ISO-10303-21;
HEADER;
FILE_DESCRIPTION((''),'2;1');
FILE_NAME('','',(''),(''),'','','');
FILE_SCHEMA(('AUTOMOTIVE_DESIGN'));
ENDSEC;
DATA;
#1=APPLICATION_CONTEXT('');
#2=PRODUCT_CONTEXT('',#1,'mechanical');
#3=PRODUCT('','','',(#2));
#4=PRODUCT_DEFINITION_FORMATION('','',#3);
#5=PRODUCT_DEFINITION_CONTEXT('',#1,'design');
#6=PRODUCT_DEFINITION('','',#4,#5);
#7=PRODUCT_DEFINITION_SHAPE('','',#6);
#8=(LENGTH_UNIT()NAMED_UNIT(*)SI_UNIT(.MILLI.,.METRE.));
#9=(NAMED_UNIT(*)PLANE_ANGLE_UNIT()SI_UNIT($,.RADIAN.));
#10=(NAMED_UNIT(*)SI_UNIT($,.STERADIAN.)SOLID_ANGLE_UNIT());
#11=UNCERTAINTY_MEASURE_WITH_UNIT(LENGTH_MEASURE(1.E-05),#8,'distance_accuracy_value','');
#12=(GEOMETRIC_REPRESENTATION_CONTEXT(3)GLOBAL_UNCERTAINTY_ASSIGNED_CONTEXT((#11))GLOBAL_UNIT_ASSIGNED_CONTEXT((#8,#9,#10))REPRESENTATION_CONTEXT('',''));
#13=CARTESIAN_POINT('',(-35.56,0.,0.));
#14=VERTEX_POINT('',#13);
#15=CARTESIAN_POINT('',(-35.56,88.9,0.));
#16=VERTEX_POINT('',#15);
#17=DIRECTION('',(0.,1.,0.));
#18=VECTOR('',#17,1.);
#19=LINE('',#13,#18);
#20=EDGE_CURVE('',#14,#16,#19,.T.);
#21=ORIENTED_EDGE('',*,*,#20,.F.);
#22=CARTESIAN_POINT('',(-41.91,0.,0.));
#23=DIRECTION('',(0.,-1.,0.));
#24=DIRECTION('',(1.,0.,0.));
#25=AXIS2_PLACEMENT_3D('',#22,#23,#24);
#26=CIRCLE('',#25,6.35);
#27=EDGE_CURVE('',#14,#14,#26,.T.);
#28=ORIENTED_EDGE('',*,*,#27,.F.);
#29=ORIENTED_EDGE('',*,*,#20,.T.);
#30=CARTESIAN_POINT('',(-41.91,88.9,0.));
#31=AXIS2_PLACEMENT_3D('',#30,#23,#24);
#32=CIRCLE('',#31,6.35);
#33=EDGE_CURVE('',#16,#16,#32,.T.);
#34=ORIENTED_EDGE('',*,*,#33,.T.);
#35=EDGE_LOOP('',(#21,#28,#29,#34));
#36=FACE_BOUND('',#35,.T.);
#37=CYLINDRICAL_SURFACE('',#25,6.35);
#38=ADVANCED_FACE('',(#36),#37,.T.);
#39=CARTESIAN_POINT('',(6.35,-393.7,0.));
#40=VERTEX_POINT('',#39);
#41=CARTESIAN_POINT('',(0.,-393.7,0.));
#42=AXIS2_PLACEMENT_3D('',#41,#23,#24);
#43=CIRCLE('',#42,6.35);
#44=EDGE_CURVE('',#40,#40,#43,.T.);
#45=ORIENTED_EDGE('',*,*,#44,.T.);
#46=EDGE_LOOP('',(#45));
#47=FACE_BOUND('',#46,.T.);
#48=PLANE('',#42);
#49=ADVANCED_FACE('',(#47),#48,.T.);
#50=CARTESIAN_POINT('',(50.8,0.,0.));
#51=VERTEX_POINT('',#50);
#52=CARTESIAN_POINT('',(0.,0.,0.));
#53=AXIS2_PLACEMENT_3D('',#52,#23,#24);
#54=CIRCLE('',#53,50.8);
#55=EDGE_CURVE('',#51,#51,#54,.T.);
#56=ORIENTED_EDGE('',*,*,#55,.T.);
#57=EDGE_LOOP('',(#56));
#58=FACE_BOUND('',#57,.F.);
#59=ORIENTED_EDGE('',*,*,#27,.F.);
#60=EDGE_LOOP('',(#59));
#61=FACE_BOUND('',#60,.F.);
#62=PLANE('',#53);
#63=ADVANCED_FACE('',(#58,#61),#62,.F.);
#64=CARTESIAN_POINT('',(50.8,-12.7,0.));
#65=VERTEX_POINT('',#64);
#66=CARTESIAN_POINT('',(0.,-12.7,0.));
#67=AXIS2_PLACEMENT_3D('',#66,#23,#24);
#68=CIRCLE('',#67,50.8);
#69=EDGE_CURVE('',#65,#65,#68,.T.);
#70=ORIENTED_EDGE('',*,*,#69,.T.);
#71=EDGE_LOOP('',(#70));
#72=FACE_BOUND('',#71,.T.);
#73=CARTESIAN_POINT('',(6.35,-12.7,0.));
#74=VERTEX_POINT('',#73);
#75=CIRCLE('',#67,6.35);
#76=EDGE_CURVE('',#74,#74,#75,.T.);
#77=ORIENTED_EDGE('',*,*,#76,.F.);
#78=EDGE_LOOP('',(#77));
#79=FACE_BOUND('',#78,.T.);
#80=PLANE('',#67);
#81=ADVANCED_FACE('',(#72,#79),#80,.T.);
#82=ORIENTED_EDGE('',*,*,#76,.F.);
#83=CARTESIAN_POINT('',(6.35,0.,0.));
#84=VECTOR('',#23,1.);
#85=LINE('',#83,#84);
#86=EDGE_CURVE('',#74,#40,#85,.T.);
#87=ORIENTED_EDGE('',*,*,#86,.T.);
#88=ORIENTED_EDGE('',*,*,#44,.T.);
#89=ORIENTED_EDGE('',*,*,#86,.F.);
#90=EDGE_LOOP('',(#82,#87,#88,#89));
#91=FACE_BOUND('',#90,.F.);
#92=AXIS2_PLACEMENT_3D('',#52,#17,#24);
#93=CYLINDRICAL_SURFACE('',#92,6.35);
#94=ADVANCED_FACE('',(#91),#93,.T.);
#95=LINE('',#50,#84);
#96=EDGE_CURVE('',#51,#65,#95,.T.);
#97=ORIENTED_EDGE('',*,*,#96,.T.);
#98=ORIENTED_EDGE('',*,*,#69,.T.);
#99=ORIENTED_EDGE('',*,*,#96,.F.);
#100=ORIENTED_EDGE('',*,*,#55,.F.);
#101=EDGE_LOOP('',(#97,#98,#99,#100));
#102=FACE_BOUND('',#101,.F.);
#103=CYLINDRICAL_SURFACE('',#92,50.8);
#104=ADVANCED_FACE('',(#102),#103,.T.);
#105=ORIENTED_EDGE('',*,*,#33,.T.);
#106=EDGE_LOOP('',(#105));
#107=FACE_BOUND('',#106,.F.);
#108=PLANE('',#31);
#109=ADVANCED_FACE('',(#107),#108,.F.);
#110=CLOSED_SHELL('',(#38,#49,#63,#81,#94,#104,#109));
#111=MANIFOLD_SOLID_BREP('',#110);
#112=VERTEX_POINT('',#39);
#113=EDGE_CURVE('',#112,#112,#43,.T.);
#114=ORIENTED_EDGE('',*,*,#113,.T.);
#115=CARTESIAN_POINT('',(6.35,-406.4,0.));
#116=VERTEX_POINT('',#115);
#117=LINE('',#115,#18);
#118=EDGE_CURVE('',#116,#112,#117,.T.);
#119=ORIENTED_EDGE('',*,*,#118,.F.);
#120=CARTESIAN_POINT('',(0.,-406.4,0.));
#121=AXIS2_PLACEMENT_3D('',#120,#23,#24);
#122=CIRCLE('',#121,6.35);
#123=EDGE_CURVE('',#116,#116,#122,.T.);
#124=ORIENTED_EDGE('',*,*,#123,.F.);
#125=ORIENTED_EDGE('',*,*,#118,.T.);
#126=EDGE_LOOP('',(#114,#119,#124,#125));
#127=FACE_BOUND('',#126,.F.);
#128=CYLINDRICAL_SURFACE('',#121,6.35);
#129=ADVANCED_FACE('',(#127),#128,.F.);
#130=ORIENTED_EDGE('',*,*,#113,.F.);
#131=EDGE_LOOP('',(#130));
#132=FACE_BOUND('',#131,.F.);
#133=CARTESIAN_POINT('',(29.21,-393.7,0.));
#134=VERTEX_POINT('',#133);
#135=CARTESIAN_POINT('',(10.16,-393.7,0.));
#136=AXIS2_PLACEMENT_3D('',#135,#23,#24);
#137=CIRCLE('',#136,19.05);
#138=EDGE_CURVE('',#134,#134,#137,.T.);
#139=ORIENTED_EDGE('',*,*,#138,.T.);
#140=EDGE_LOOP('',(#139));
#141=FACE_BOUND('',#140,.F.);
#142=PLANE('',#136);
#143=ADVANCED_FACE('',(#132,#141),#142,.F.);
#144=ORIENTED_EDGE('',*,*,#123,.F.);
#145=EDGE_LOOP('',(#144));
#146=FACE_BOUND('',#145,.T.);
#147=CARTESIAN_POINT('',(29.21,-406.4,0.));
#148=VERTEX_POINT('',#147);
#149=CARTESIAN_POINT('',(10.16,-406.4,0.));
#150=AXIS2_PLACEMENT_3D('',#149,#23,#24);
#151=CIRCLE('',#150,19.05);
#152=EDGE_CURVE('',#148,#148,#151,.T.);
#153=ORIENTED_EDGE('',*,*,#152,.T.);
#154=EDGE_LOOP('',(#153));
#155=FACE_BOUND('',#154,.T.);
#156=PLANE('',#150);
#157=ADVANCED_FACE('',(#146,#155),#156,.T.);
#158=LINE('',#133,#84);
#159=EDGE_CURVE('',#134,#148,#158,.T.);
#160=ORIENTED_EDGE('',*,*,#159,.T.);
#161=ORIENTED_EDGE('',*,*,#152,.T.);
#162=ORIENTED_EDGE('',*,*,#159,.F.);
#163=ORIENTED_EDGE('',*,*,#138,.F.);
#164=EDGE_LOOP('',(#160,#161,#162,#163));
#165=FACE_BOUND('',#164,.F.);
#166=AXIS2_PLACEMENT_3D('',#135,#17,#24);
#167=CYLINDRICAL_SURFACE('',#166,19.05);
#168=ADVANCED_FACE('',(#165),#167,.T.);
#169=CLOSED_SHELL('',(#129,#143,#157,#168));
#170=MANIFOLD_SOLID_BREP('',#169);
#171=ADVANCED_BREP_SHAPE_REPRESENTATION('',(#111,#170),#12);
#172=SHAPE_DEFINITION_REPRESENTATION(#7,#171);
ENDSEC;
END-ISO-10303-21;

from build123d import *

# Parameters (mm, degrees)
F0_R      = 6.35
F1_DEPTH  = 393.7
F0_R_2    = 50.8
F2_DEPTH  = 12.7
F3_R      = 6.35
F4_DEPTH  = 88.9
F7_R      = 19.05
F8_DEPTH  = 12.7
F9_R      = 6.35
F10_DEPTH = 12.7


with BuildPart() as f1:
    # F0 (on Front) → F1 (new body)
    with BuildSketch(Plane.XZ):
        Circle(F0_R)
    extrude(amount=F1_DEPTH)

    # F0 (on Front) → F2 (join)
    with BuildSketch(Plane.XZ):
        Circle(F0_R_2)
        Circle(F0_R, mode=Mode.SUBTRACT)
    extrude(amount=F2_DEPTH)

    # F3 (on face) → F4 (join)
    with BuildSketch(Plane.XZ):
        with Locations((-41.91, 0)):
            Circle(F3_R)
    extrude(amount=-F4_DEPTH)


with BuildPart() as f8:
    # F7 (on face) → F8 (new body)
    with BuildSketch(Plane.XZ.offset(393.7)):
        with Locations((10.16, 0)):
            Circle(F7_R)
    extrude(amount=F8_DEPTH)

    # F9 (on face) → F10 (cut)
    with BuildSketch(Plane.XZ.offset(406.4)):
        Circle(F9_R)
    extrude(amount=-F10_DEPTH, mode=Mode.SUBTRACT)


solid = Compound([f1.part, f8.part])
